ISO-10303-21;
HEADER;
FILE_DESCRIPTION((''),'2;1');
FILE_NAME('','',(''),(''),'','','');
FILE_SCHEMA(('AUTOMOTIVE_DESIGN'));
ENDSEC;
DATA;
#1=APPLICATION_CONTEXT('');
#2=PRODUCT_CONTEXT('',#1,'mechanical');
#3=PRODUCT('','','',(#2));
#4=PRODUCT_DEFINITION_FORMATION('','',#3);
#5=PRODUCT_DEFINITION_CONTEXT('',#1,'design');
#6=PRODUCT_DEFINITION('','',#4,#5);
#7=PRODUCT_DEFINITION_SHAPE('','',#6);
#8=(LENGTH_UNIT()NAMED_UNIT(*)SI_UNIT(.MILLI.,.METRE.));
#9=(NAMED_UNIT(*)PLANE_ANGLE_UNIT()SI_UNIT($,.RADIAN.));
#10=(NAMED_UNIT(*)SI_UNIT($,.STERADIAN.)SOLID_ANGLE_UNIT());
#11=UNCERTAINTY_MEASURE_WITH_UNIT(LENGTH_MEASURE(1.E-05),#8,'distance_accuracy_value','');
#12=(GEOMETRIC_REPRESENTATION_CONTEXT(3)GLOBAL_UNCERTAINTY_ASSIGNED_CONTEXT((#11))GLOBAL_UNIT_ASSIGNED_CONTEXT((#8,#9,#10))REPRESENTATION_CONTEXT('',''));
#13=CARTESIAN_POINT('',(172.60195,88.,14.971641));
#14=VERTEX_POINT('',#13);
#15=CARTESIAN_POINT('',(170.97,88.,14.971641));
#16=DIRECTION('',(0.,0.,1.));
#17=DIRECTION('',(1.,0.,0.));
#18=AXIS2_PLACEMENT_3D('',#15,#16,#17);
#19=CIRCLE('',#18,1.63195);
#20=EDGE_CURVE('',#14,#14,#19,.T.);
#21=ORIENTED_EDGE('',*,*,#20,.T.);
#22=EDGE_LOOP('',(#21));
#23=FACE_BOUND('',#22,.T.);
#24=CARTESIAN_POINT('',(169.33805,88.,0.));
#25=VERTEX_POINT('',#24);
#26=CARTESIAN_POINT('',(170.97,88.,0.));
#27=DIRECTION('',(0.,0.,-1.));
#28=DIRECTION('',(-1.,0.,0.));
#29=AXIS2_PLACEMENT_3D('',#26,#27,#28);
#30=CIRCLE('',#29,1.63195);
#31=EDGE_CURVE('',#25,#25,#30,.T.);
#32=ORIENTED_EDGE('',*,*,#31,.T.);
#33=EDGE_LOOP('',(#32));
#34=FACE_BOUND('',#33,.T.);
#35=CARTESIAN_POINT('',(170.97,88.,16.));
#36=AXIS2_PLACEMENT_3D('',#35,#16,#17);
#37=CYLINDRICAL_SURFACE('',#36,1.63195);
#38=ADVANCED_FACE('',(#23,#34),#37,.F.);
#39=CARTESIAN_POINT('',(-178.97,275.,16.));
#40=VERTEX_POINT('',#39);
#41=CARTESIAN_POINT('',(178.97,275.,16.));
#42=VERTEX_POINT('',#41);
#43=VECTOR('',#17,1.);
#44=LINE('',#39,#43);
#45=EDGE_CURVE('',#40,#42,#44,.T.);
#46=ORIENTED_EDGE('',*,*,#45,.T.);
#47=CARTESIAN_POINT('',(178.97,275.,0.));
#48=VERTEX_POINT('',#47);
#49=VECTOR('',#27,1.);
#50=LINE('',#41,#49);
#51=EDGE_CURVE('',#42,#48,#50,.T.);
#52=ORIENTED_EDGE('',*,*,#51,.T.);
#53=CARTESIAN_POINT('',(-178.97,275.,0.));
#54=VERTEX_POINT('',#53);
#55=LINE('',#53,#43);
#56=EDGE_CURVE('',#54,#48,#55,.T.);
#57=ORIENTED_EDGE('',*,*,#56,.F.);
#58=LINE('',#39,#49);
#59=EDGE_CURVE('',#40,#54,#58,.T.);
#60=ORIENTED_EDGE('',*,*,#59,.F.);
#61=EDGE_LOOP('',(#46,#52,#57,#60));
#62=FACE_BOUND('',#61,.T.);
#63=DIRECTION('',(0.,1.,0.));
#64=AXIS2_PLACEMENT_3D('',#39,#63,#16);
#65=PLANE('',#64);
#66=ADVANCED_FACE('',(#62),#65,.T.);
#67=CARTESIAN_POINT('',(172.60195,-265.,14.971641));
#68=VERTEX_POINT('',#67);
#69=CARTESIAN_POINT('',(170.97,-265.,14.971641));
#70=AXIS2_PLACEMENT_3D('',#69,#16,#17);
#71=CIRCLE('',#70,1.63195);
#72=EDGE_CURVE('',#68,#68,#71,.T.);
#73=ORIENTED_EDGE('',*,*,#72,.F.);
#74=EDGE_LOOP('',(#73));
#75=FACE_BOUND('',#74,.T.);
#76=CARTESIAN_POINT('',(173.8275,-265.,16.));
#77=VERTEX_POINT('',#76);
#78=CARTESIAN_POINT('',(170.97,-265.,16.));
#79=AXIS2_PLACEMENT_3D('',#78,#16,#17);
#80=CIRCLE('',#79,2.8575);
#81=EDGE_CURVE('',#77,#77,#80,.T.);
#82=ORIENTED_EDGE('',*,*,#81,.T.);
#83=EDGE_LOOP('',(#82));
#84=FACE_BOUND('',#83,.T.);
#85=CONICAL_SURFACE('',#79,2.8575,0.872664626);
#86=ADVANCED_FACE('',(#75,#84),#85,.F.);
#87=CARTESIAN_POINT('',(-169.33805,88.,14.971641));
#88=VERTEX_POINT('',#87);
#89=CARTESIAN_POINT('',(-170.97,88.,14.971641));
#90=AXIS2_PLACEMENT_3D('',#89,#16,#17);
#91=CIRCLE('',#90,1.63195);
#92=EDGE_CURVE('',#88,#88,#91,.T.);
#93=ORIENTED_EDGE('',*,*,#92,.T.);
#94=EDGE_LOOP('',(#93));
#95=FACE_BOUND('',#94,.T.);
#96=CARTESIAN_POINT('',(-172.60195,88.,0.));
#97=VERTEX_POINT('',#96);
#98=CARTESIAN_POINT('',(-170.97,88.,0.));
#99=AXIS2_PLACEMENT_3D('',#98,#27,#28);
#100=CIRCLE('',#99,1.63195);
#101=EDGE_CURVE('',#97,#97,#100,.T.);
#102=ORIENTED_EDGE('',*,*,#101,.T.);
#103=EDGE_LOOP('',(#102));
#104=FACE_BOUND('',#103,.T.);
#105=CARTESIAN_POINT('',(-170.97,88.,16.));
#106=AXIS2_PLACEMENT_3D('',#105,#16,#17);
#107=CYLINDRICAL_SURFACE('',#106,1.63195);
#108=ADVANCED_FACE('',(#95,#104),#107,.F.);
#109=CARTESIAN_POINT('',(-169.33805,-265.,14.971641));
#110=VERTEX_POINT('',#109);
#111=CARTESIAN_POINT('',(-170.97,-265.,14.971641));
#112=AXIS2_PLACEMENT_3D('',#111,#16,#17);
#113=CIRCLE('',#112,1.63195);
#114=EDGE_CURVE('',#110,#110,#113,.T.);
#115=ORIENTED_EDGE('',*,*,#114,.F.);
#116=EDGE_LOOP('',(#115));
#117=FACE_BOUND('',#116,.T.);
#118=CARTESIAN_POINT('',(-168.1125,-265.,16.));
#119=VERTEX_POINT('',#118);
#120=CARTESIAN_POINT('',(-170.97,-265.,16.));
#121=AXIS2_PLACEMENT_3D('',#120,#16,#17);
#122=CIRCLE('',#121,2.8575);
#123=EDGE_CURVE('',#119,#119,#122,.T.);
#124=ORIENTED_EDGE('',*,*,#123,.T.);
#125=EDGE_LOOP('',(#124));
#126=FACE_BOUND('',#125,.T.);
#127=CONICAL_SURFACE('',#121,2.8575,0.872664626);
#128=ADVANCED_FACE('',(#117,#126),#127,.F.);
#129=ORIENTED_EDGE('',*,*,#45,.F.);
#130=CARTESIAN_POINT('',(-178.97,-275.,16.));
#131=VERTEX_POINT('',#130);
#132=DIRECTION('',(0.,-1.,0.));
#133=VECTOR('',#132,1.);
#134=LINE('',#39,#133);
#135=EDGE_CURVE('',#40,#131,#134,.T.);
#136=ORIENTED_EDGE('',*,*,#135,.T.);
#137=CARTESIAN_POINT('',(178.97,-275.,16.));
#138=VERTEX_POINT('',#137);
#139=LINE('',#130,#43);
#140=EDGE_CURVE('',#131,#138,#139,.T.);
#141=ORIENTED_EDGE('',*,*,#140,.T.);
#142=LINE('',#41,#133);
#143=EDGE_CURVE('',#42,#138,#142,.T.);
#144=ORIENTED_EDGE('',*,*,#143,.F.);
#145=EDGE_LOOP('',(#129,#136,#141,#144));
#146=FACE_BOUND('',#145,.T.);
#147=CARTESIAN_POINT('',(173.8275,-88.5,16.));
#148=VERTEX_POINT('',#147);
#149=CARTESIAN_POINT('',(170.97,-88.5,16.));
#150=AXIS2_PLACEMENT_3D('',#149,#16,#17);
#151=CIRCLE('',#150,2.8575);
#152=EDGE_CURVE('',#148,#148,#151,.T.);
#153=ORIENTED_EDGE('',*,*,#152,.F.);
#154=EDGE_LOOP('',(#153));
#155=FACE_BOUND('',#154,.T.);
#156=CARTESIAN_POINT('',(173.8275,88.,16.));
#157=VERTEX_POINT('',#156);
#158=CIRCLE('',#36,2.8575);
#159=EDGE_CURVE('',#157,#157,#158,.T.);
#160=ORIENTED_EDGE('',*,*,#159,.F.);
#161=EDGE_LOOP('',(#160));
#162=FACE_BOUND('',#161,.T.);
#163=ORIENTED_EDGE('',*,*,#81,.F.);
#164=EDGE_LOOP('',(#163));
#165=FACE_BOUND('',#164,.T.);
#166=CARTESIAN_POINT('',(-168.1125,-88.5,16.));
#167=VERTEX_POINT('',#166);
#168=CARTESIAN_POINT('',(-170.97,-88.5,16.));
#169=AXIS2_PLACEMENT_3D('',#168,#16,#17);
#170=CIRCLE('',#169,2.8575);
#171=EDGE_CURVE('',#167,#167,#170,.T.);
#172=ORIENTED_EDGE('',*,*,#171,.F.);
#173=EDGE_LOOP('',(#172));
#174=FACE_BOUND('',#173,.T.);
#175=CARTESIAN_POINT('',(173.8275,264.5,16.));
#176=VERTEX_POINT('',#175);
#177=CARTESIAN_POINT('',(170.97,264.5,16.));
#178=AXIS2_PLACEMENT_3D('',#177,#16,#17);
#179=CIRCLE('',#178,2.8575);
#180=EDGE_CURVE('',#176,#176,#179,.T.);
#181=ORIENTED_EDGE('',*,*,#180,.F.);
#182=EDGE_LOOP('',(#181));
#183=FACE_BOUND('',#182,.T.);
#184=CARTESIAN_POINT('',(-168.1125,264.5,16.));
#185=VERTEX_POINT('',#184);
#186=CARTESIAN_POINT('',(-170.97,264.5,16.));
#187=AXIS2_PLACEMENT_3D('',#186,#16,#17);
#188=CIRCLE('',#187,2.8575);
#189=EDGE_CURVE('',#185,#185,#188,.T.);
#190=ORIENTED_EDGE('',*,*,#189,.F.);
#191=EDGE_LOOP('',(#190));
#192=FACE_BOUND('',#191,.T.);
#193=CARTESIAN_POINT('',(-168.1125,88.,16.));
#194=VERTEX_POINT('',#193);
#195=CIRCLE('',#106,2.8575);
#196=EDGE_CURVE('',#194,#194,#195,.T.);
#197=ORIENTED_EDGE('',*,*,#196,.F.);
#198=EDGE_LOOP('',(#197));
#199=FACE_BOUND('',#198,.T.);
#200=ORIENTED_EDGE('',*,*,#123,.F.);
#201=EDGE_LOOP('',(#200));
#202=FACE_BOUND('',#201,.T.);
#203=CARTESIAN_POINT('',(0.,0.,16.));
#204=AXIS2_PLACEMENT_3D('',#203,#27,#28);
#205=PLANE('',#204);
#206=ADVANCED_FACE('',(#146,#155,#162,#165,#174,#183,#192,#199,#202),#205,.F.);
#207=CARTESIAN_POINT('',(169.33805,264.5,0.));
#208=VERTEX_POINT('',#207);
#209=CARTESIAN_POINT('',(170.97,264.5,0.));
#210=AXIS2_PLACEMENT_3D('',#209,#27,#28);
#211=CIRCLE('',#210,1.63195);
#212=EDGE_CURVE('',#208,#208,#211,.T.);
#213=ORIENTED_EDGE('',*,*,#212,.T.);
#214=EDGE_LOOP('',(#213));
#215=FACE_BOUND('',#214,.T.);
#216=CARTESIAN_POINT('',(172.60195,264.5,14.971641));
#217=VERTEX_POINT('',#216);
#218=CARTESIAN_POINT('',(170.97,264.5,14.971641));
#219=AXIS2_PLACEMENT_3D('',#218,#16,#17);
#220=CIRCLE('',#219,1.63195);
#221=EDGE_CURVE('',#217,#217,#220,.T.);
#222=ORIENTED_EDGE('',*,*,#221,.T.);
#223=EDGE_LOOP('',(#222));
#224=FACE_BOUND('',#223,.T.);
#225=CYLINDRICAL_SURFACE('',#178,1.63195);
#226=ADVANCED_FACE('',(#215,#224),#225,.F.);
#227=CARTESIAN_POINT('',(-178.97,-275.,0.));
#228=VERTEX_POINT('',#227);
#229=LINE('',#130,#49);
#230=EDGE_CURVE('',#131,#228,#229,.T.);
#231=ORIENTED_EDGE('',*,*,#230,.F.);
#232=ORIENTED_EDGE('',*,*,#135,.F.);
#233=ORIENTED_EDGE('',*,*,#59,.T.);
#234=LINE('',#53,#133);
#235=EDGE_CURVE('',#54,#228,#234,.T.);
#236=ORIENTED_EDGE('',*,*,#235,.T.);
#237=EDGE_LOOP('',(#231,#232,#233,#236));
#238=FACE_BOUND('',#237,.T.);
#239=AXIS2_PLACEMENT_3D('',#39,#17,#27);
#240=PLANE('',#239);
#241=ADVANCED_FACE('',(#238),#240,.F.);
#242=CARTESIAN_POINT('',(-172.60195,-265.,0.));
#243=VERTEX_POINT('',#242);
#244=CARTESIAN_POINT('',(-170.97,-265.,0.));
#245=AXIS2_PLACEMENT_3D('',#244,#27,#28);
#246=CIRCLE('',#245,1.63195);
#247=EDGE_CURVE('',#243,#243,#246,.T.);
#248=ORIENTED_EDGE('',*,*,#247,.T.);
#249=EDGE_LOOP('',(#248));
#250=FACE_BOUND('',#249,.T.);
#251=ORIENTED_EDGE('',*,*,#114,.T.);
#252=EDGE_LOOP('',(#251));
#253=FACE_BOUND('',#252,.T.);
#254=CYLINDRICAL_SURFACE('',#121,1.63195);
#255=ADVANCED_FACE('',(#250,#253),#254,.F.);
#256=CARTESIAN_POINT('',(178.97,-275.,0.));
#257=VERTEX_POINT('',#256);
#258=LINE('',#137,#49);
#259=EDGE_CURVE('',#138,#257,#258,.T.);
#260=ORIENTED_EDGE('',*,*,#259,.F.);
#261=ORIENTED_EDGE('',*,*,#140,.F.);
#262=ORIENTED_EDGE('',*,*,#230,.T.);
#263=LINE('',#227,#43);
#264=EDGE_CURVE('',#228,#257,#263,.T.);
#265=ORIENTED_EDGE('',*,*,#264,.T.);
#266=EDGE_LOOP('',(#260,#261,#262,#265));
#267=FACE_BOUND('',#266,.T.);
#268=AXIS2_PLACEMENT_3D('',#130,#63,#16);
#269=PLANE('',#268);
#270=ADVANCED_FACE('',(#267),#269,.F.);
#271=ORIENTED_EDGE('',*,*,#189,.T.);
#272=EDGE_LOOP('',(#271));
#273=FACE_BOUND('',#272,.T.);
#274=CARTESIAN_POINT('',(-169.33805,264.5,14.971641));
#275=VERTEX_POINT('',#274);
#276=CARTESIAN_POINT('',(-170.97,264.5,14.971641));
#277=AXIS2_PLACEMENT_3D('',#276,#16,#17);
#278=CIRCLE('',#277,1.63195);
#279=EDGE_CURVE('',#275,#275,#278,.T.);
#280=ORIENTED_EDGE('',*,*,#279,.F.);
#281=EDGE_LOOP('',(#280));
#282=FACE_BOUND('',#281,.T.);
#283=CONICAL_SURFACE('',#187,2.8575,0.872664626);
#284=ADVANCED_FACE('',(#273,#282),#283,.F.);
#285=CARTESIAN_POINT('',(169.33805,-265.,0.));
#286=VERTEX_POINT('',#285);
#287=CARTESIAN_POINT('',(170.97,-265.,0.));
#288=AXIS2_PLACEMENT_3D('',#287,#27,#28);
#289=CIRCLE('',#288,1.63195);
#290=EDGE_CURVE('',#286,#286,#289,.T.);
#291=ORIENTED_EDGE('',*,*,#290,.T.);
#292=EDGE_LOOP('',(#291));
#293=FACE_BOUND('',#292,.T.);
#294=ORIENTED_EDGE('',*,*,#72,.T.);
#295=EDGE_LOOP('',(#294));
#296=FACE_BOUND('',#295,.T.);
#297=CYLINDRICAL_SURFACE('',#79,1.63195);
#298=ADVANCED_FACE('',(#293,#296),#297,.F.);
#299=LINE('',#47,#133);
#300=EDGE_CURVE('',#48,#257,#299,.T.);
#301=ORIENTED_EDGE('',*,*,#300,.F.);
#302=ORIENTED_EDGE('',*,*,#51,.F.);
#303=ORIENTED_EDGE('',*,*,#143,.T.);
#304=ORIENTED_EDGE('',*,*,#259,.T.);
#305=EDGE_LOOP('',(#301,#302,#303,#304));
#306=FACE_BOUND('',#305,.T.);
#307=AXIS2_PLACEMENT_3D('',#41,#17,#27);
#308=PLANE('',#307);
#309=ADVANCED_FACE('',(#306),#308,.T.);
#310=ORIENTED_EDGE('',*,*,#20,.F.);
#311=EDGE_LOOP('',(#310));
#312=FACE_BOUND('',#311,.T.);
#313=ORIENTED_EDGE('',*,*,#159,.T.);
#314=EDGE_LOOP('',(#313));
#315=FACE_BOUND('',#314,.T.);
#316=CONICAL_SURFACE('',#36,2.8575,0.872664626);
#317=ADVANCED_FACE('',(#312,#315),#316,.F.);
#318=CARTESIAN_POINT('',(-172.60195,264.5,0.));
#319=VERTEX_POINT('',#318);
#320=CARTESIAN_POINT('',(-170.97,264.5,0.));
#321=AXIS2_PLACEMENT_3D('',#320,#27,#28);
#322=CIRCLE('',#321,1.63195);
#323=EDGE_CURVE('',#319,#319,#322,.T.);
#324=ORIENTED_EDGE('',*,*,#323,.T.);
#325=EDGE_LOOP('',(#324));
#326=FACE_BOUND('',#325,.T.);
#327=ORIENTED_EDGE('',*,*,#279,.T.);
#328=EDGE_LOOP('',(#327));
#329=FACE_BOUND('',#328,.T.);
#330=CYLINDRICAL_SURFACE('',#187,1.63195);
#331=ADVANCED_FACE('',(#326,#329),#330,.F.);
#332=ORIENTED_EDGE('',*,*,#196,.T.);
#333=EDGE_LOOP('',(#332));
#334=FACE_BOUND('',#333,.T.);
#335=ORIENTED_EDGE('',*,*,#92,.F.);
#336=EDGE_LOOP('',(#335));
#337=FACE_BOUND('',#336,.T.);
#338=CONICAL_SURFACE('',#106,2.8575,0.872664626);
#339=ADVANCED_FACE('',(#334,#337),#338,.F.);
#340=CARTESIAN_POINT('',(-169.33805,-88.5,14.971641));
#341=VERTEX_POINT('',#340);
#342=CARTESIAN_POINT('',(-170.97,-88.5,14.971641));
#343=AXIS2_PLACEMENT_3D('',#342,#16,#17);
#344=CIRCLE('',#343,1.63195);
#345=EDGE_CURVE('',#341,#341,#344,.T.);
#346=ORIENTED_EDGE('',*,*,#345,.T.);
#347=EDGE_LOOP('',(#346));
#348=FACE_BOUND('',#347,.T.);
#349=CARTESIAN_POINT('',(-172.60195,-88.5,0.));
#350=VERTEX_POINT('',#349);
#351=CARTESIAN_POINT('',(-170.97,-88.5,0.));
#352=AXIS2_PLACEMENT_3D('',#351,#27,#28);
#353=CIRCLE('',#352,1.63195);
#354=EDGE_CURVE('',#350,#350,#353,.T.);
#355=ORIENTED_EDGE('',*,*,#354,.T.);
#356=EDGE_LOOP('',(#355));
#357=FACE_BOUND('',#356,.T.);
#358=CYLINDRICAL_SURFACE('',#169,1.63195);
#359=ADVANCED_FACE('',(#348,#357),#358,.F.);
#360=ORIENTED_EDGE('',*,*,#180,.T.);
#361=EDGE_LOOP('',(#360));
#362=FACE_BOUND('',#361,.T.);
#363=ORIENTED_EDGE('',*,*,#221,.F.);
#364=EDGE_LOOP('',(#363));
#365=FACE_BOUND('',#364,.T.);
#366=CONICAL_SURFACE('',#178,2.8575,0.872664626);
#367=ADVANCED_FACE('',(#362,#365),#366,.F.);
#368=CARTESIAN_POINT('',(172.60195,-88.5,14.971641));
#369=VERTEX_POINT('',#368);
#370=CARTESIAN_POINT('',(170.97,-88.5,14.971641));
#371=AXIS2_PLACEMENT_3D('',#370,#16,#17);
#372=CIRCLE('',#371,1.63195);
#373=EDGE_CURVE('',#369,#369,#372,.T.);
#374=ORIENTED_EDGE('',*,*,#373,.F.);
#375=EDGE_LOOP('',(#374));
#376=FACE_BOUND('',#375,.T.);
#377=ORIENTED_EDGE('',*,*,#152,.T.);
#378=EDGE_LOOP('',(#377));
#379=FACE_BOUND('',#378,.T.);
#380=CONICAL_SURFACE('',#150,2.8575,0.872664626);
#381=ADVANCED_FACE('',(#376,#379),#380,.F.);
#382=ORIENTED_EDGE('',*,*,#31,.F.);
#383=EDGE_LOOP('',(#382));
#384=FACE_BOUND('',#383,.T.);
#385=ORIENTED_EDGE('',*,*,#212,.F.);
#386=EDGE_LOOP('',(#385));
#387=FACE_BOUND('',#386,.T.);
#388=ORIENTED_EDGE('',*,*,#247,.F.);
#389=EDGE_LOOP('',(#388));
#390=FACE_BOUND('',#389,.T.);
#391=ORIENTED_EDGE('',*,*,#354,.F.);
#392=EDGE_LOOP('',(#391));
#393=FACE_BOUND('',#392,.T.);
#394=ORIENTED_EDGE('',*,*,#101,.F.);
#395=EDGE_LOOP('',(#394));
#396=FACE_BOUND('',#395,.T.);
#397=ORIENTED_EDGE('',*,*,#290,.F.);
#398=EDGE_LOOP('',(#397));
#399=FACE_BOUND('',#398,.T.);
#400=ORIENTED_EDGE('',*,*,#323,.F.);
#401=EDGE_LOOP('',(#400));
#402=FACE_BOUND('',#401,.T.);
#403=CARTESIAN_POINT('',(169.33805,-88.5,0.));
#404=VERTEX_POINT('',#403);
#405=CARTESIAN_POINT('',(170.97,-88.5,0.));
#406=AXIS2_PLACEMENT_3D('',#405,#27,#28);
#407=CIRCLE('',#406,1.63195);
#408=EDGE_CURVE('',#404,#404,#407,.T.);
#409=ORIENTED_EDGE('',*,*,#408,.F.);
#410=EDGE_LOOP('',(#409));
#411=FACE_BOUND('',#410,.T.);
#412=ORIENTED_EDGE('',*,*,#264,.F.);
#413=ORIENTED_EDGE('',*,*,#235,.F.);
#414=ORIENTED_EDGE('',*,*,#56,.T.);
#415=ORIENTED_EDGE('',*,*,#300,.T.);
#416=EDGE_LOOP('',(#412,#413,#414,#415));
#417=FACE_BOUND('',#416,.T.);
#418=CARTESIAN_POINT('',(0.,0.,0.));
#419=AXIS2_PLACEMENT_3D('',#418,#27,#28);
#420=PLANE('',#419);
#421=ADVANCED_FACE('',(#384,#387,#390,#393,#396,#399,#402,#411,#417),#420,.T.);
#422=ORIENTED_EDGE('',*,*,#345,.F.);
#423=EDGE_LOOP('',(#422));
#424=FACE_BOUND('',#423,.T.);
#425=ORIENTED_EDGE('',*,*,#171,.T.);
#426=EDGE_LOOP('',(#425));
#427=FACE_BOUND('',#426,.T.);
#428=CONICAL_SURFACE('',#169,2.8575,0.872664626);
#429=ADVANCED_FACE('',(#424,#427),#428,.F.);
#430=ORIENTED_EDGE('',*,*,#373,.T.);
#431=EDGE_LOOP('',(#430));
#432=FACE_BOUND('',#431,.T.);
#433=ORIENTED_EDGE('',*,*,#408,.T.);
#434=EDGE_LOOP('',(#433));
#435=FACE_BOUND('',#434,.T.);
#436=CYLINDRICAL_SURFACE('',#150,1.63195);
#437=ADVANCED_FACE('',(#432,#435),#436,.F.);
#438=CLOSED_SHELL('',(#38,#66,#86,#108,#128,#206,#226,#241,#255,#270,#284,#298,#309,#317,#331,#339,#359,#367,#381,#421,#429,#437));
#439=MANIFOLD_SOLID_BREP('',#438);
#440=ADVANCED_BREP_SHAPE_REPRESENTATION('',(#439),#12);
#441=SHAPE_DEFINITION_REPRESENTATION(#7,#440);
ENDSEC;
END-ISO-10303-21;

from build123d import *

# Parameters (mm, degrees)
SKETCH1_W                                         = 357.94
SKETCH1_H                                         = 550
BOSS_EXTRUDE1_DEPTH                               = 16
CSK_FOR_4_FLAT_HEAD_MACHINE_SCREW_100_D           = 3.2639
CSK_FOR_4_FLAT_HEAD_MACHINE_SCREW_100_DEPTH       = 16
CSK_FOR_4_FLAT_HEAD_MACHINE_SCREW_100_CSINK_D     = 5.715
CSK_FOR_4_FLAT_HEAD_MACHINE_SCREW_100_CSINK_ANGLE = 100
LPATTERN1_COUNT                                   = 4
LPATTERN1_PITCH                                   = 176.5
MIRROR1_COPY_1_D                                  = 3.2639
MIRROR1_COPY_1_DEPTH                              = 16
MIRROR1_COPY_1_CSINK_D                            = 5.715
MIRROR1_COPY_1_CSINK_ANGLE                        = 100
MIRROR1_COPY_2_D                                  = 3.2639
MIRROR1_COPY_2_DEPTH                              = 16
MIRROR1_COPY_2_CSINK_D                            = 5.715
MIRROR1_COPY_2_CSINK_ANGLE                        = 100
MIRROR1_COPY_3_D                                  = 3.2639
MIRROR1_COPY_3_DEPTH                              = 16
MIRROR1_COPY_3_CSINK_D                            = 5.715
MIRROR1_COPY_3_CSINK_ANGLE                        = 100


with BuildPart() as part:
    # Sketch1 → Boss-Extrude1 (new body)
    with BuildSketch(Plane.XY):
        Rectangle(SKETCH1_W, SKETCH1_H)
    extrude(amount=BOSS_EXTRUDE1_DEPTH)

    # CSK for #4 Flat Head Machine Screw (100)1
    with Locations(Plane(origin=(-170.97, -265, 16), x_dir=(1, 0, 0), z_dir=(0, 0, 1))):
        with Locations((0, 0)):
            csk_for_4_flat_head_machine_screw_100 = CounterSinkHole(CSK_FOR_4_FLAT_HEAD_MACHINE_SCREW_100_D / 2, CSK_FOR_4_FLAT_HEAD_MACHINE_SCREW_100_CSINK_D / 2, depth=CSK_FOR_4_FLAT_HEAD_MACHINE_SCREW_100_DEPTH, counter_sink_angle=CSK_FOR_4_FLAT_HEAD_MACHINE_SCREW_100_CSINK_ANGLE)

    # LPattern1: CSK for #4 Flat Head Machine Screw (100)1 ×4
    with Locations(*[(0, i * LPATTERN1_PITCH, 0) for i in range(1, LPATTERN1_COUNT)]):
        add(csk_for_4_flat_head_machine_screw_100, mode=Mode.SUBTRACT)

    # Mirror1: CSK for #4 Flat Head Machine Screw (100)1 across plane
    add(csk_for_4_flat_head_machine_screw_100.mirror(Plane(origin=(0, 0, 0), x_dir=(0, 0, 1), z_dir=(1, 0, 0))), mode=Mode.SUBTRACT)

    # Mirror1 copy 1
    with Locations(Plane(origin=(170.97, -88.5, 16), x_dir=(-1, 0, 0), z_dir=(0, 0, 1))):
        with Locations((0, 0)):
            CounterSinkHole(MIRROR1_COPY_1_D / 2, MIRROR1_COPY_1_CSINK_D / 2, depth=MIRROR1_COPY_1_DEPTH, counter_sink_angle=MIRROR1_COPY_1_CSINK_ANGLE)

    # Mirror1 copy 2
    with Locations(Plane(origin=(170.97, 88, 16), x_dir=(-1, 0, 0), z_dir=(0, 0, 1))):
        with Locations((0, 0)):
            CounterSinkHole(MIRROR1_COPY_2_D / 2, MIRROR1_COPY_2_CSINK_D / 2, depth=MIRROR1_COPY_2_DEPTH, counter_sink_angle=MIRROR1_COPY_2_CSINK_ANGLE)

    # Mirror1 copy 3
    with Locations(Plane(origin=(170.97, 264.5, 16), x_dir=(-1, 0, 0), z_dir=(0, 0, 1))):
        with Locations((0, 0)):
            CounterSinkHole(MIRROR1_COPY_3_D / 2, MIRROR1_COPY_3_CSINK_D / 2, depth=MIRROR1_COPY_3_DEPTH, counter_sink_angle=MIRROR1_COPY_3_CSINK_ANGLE)


solid = part.part
